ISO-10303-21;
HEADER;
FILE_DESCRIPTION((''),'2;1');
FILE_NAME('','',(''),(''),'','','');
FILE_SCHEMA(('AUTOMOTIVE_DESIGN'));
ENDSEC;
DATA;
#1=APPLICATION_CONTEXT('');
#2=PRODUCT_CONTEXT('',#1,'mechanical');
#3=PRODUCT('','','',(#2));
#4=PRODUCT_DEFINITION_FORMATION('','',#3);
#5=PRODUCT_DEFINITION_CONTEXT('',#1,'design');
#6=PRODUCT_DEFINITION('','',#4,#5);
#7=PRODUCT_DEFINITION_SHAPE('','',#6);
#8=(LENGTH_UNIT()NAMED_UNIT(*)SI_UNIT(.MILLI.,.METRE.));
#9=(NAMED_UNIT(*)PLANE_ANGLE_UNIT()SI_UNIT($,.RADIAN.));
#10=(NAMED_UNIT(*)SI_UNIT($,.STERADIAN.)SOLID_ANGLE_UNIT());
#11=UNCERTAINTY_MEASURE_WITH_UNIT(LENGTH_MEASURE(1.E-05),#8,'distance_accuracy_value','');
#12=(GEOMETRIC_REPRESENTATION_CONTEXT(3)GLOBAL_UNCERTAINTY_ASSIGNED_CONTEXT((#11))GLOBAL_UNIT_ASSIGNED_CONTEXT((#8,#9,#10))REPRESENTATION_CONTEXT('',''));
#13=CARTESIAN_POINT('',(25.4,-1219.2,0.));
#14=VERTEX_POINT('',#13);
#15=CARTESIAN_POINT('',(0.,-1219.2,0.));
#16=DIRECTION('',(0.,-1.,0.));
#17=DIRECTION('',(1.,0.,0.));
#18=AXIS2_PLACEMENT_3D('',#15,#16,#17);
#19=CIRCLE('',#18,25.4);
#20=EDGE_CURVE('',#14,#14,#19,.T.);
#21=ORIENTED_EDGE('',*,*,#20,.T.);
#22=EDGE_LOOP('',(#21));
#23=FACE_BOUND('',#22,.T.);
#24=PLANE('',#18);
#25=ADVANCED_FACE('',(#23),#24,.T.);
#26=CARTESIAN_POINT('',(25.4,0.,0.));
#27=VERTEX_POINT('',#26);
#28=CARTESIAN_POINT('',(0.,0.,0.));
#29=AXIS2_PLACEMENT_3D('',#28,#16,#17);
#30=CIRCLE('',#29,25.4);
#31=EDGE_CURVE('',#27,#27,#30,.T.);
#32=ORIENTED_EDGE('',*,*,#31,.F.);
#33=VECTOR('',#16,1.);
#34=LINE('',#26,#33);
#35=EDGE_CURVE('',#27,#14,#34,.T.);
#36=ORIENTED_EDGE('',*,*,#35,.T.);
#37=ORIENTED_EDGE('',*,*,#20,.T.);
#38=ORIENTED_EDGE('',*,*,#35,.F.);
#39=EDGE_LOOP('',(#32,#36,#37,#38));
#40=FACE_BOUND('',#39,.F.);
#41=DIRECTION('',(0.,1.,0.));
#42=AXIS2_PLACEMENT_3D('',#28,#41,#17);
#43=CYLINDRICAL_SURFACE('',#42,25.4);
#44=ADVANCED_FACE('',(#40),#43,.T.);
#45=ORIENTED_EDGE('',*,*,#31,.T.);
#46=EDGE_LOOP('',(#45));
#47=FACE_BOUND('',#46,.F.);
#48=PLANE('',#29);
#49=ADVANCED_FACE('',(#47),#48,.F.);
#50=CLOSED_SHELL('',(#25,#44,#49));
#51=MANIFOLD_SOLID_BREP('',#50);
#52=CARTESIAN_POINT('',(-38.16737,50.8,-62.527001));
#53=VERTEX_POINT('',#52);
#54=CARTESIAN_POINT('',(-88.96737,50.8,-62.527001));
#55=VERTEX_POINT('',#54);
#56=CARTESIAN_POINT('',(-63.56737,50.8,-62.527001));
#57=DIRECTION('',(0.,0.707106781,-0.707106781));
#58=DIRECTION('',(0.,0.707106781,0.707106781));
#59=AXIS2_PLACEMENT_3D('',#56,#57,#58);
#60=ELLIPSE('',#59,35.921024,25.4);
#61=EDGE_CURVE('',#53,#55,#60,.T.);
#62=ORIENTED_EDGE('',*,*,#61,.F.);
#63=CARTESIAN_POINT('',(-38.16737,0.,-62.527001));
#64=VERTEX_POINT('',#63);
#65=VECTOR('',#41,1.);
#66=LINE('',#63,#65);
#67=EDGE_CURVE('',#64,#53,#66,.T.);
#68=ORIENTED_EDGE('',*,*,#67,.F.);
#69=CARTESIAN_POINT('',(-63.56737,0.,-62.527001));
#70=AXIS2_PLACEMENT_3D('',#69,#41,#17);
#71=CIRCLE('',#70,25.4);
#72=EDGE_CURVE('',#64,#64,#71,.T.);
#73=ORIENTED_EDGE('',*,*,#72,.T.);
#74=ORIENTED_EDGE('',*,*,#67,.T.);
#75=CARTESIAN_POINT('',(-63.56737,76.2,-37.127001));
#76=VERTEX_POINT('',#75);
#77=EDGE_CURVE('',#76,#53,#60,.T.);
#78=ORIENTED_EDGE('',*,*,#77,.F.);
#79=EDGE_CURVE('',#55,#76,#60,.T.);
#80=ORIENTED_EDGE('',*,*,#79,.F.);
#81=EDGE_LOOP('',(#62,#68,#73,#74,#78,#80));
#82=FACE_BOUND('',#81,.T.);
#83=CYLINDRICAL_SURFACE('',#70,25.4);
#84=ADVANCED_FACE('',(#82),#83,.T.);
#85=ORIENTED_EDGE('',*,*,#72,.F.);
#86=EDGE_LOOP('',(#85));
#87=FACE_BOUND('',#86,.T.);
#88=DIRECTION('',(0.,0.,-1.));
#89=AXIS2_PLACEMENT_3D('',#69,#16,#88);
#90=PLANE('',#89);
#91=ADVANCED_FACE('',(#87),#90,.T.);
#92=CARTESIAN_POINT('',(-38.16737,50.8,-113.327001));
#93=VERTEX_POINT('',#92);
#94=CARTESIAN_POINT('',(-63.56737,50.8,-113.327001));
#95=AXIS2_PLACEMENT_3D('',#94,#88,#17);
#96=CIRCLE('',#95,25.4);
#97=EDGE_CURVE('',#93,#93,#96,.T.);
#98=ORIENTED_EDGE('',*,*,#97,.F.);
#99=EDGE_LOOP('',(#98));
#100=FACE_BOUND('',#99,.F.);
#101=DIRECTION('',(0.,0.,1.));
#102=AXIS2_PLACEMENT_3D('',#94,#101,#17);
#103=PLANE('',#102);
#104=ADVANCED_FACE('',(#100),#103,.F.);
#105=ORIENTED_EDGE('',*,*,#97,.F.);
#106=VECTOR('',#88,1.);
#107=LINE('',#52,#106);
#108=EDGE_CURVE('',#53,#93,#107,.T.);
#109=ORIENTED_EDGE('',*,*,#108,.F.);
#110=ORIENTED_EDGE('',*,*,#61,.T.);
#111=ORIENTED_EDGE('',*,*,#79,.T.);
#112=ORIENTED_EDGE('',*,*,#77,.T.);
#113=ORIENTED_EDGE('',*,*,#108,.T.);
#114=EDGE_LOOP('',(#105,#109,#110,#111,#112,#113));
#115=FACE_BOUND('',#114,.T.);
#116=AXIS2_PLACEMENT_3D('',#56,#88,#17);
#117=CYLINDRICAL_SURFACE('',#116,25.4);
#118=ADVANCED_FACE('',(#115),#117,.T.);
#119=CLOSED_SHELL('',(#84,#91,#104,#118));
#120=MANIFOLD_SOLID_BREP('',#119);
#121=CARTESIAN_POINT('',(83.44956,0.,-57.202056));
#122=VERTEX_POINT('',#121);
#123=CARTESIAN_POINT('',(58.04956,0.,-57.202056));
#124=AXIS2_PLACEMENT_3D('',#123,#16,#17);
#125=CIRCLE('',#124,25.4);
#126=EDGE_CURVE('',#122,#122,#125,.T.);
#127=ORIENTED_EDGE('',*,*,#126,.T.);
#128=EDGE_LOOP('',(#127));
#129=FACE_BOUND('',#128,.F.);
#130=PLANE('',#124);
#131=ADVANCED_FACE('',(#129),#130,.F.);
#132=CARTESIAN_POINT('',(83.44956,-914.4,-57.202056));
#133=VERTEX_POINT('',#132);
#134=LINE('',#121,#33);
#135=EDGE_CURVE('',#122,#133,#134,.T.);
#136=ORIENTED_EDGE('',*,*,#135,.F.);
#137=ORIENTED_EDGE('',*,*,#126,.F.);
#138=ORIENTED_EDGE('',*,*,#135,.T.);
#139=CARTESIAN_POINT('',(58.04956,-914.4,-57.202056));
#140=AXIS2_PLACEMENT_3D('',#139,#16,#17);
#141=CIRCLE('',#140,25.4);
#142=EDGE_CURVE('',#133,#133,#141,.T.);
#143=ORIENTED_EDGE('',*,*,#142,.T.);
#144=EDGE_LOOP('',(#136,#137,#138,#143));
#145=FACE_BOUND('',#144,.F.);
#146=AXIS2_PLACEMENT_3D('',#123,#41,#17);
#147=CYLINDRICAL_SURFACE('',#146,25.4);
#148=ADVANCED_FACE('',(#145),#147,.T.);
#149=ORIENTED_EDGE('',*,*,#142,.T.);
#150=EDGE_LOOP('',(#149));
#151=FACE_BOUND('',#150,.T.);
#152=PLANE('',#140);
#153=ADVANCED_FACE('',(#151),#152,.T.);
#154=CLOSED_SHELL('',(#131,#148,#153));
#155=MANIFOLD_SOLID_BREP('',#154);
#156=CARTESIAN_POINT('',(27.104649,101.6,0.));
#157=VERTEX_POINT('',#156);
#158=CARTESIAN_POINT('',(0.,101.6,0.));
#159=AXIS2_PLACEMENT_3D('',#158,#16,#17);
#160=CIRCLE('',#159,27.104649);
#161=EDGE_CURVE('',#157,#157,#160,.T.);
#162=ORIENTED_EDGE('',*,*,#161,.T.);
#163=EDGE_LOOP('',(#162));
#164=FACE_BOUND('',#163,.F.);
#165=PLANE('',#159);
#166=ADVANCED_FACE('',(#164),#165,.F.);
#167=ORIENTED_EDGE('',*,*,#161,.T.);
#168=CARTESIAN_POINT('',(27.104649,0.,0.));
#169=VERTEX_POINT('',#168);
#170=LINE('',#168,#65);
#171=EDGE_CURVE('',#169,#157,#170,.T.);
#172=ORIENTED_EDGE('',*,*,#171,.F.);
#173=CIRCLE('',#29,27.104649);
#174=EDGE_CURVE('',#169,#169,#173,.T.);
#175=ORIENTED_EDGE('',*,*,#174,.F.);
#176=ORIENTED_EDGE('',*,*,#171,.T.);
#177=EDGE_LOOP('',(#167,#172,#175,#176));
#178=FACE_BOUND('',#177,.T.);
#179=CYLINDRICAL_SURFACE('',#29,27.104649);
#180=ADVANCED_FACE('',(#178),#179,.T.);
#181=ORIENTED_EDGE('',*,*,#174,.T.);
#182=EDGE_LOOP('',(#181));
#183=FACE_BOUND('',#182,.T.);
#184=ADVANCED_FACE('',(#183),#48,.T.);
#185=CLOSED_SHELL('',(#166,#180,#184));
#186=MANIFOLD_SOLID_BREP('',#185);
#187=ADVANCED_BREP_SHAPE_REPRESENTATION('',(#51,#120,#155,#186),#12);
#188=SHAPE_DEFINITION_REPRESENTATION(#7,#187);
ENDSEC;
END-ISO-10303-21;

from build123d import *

# Parameters (mm, degrees)
F0_R     = 25.4
F1_DEPTH = 1219.2
F2_R     = 27.1046494799
F3_DEPTH = 101.6
F4_R     = 25.4
F7_R     = 25.4
F8_DEPTH = 914.4


with BuildPart() as f1:
    # F0 (on Front) → F1 (new body)
    with BuildSketch(Plane.XZ):
        Circle(F0_R)
    extrude(amount=F1_DEPTH)


with BuildPart() as f3:
    # F2 (on Front) → F3 (new body)
    with BuildSketch(Plane.XZ):
        Circle(F2_R)
    extrude(amount=-F3_DEPTH)


with BuildPart() as f6:
    # F6: sweep along a path in F5
    with BuildLine(Plane.YZ) as f6_path:
        Line((0, -62.5270009041), (50.8, -62.5270009041))
        Line((50.8, -62.5270009041), (50.8, -113.3270009041))
    # F4 (on Front) → F6 (sweep)
    with BuildSketch(Plane.XZ):
        with Locations((-63.5673701763, -62.5270009041)):
            Circle(F4_R)
    sweep(path=f6_path.line, transition=Transition.RIGHT)


with BuildPart() as f8:
    # F7 (on Front) → F8 (new body)
    with BuildSketch(Plane.XZ):
        with Locations((58.0495595932, -57.2020560503)):
            Circle(F7_R)
    extrude(amount=F8_DEPTH)


solid = Compound([f1.part, f3.part, f6.part, f8.part])
